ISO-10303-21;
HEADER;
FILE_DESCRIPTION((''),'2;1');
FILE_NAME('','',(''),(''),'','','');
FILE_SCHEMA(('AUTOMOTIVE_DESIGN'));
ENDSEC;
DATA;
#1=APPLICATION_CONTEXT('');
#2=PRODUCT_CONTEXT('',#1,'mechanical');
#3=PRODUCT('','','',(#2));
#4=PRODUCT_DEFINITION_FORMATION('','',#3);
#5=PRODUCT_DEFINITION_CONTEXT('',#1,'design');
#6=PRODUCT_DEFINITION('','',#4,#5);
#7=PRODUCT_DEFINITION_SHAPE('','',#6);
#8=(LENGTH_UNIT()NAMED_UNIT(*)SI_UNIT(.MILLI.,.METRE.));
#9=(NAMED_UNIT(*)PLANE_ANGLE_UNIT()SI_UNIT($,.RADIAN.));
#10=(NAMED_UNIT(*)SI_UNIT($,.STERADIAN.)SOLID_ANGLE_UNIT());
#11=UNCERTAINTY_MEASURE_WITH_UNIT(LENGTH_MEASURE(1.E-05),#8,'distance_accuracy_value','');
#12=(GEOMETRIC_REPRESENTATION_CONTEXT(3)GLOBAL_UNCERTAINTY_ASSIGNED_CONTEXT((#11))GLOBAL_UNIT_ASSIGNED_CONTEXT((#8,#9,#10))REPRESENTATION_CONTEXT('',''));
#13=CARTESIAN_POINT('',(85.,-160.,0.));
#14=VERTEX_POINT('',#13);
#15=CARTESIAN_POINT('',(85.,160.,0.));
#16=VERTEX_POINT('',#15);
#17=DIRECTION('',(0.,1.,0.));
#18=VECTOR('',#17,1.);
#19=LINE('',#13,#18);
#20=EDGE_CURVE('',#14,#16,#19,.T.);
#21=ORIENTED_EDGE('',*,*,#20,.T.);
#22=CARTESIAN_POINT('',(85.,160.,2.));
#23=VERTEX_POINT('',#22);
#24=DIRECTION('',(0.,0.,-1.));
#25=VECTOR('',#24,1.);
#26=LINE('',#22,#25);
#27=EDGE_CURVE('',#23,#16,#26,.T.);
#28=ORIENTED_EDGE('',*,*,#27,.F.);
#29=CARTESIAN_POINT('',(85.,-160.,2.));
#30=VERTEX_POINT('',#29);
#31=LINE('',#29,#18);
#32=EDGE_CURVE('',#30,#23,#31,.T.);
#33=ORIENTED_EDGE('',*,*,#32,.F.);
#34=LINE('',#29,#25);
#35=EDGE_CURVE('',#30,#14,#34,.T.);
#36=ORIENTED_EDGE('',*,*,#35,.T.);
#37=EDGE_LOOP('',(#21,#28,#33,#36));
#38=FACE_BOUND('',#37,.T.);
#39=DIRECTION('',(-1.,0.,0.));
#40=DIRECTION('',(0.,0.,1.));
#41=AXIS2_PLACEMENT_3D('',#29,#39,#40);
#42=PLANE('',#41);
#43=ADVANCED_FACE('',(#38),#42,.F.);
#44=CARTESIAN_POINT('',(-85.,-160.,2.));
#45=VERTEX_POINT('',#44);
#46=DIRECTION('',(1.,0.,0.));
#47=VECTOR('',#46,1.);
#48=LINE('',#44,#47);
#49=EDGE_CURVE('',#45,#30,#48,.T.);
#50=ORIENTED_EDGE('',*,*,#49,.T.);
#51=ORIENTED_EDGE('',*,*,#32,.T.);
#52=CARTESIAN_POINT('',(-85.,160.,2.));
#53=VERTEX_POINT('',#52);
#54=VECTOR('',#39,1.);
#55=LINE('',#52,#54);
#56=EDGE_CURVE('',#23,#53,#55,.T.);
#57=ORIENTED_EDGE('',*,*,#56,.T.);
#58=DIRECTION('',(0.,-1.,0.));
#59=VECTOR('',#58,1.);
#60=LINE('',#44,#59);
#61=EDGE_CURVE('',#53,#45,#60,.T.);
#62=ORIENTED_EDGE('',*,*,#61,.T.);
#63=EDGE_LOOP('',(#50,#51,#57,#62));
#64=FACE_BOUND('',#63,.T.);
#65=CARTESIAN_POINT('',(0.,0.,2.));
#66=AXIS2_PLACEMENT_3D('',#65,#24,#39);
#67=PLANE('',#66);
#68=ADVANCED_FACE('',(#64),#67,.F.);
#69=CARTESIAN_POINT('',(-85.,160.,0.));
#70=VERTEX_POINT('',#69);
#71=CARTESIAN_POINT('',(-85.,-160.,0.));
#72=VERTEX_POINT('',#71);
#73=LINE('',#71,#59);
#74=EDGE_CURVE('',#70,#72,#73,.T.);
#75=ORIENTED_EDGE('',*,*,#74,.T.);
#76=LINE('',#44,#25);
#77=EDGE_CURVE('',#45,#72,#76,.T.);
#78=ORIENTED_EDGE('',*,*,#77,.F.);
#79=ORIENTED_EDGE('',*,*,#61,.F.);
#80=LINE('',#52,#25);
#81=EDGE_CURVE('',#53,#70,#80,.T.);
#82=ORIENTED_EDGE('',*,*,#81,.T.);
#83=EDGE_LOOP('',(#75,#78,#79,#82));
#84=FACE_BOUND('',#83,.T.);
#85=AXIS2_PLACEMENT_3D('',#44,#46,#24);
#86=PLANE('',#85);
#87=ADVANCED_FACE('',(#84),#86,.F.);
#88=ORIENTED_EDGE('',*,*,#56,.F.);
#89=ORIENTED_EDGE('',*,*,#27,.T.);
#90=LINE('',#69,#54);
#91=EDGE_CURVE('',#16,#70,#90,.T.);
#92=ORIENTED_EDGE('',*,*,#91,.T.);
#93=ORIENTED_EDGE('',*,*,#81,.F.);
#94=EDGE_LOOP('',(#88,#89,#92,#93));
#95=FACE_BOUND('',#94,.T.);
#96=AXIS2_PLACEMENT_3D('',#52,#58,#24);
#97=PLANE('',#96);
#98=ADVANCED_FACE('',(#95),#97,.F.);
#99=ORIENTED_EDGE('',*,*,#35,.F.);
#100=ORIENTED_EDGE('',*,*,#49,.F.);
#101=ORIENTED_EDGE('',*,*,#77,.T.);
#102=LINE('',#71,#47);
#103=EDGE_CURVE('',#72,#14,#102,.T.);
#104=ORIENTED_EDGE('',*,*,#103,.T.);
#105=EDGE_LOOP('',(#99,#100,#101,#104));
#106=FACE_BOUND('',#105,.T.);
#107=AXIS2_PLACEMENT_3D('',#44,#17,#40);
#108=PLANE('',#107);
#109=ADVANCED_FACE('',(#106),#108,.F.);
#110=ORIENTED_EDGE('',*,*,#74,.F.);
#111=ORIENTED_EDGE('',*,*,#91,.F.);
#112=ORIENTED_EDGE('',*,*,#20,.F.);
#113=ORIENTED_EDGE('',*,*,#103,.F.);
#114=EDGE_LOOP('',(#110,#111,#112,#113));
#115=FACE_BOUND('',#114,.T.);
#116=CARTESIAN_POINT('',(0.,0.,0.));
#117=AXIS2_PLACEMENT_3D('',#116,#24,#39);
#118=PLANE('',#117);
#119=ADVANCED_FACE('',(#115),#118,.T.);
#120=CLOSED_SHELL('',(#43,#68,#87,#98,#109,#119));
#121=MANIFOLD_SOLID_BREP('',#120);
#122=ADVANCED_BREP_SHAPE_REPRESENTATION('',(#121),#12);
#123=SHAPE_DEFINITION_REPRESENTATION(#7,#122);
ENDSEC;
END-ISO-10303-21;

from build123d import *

# Parameters (mm, degrees)
CROQUIS1_W              = 170
CROQUIS1_H              = 320
SALIENTE_EXTRUIR1_DEPTH = 2


with BuildPart() as part:
    # Croquis1 → Saliente-Extruir1 (new body)
    with BuildSketch(Plane.XY):
        Rectangle(CROQUIS1_W, CROQUIS1_H)
    extrude(amount=SALIENTE_EXTRUIR1_DEPTH)


solid = part.part
